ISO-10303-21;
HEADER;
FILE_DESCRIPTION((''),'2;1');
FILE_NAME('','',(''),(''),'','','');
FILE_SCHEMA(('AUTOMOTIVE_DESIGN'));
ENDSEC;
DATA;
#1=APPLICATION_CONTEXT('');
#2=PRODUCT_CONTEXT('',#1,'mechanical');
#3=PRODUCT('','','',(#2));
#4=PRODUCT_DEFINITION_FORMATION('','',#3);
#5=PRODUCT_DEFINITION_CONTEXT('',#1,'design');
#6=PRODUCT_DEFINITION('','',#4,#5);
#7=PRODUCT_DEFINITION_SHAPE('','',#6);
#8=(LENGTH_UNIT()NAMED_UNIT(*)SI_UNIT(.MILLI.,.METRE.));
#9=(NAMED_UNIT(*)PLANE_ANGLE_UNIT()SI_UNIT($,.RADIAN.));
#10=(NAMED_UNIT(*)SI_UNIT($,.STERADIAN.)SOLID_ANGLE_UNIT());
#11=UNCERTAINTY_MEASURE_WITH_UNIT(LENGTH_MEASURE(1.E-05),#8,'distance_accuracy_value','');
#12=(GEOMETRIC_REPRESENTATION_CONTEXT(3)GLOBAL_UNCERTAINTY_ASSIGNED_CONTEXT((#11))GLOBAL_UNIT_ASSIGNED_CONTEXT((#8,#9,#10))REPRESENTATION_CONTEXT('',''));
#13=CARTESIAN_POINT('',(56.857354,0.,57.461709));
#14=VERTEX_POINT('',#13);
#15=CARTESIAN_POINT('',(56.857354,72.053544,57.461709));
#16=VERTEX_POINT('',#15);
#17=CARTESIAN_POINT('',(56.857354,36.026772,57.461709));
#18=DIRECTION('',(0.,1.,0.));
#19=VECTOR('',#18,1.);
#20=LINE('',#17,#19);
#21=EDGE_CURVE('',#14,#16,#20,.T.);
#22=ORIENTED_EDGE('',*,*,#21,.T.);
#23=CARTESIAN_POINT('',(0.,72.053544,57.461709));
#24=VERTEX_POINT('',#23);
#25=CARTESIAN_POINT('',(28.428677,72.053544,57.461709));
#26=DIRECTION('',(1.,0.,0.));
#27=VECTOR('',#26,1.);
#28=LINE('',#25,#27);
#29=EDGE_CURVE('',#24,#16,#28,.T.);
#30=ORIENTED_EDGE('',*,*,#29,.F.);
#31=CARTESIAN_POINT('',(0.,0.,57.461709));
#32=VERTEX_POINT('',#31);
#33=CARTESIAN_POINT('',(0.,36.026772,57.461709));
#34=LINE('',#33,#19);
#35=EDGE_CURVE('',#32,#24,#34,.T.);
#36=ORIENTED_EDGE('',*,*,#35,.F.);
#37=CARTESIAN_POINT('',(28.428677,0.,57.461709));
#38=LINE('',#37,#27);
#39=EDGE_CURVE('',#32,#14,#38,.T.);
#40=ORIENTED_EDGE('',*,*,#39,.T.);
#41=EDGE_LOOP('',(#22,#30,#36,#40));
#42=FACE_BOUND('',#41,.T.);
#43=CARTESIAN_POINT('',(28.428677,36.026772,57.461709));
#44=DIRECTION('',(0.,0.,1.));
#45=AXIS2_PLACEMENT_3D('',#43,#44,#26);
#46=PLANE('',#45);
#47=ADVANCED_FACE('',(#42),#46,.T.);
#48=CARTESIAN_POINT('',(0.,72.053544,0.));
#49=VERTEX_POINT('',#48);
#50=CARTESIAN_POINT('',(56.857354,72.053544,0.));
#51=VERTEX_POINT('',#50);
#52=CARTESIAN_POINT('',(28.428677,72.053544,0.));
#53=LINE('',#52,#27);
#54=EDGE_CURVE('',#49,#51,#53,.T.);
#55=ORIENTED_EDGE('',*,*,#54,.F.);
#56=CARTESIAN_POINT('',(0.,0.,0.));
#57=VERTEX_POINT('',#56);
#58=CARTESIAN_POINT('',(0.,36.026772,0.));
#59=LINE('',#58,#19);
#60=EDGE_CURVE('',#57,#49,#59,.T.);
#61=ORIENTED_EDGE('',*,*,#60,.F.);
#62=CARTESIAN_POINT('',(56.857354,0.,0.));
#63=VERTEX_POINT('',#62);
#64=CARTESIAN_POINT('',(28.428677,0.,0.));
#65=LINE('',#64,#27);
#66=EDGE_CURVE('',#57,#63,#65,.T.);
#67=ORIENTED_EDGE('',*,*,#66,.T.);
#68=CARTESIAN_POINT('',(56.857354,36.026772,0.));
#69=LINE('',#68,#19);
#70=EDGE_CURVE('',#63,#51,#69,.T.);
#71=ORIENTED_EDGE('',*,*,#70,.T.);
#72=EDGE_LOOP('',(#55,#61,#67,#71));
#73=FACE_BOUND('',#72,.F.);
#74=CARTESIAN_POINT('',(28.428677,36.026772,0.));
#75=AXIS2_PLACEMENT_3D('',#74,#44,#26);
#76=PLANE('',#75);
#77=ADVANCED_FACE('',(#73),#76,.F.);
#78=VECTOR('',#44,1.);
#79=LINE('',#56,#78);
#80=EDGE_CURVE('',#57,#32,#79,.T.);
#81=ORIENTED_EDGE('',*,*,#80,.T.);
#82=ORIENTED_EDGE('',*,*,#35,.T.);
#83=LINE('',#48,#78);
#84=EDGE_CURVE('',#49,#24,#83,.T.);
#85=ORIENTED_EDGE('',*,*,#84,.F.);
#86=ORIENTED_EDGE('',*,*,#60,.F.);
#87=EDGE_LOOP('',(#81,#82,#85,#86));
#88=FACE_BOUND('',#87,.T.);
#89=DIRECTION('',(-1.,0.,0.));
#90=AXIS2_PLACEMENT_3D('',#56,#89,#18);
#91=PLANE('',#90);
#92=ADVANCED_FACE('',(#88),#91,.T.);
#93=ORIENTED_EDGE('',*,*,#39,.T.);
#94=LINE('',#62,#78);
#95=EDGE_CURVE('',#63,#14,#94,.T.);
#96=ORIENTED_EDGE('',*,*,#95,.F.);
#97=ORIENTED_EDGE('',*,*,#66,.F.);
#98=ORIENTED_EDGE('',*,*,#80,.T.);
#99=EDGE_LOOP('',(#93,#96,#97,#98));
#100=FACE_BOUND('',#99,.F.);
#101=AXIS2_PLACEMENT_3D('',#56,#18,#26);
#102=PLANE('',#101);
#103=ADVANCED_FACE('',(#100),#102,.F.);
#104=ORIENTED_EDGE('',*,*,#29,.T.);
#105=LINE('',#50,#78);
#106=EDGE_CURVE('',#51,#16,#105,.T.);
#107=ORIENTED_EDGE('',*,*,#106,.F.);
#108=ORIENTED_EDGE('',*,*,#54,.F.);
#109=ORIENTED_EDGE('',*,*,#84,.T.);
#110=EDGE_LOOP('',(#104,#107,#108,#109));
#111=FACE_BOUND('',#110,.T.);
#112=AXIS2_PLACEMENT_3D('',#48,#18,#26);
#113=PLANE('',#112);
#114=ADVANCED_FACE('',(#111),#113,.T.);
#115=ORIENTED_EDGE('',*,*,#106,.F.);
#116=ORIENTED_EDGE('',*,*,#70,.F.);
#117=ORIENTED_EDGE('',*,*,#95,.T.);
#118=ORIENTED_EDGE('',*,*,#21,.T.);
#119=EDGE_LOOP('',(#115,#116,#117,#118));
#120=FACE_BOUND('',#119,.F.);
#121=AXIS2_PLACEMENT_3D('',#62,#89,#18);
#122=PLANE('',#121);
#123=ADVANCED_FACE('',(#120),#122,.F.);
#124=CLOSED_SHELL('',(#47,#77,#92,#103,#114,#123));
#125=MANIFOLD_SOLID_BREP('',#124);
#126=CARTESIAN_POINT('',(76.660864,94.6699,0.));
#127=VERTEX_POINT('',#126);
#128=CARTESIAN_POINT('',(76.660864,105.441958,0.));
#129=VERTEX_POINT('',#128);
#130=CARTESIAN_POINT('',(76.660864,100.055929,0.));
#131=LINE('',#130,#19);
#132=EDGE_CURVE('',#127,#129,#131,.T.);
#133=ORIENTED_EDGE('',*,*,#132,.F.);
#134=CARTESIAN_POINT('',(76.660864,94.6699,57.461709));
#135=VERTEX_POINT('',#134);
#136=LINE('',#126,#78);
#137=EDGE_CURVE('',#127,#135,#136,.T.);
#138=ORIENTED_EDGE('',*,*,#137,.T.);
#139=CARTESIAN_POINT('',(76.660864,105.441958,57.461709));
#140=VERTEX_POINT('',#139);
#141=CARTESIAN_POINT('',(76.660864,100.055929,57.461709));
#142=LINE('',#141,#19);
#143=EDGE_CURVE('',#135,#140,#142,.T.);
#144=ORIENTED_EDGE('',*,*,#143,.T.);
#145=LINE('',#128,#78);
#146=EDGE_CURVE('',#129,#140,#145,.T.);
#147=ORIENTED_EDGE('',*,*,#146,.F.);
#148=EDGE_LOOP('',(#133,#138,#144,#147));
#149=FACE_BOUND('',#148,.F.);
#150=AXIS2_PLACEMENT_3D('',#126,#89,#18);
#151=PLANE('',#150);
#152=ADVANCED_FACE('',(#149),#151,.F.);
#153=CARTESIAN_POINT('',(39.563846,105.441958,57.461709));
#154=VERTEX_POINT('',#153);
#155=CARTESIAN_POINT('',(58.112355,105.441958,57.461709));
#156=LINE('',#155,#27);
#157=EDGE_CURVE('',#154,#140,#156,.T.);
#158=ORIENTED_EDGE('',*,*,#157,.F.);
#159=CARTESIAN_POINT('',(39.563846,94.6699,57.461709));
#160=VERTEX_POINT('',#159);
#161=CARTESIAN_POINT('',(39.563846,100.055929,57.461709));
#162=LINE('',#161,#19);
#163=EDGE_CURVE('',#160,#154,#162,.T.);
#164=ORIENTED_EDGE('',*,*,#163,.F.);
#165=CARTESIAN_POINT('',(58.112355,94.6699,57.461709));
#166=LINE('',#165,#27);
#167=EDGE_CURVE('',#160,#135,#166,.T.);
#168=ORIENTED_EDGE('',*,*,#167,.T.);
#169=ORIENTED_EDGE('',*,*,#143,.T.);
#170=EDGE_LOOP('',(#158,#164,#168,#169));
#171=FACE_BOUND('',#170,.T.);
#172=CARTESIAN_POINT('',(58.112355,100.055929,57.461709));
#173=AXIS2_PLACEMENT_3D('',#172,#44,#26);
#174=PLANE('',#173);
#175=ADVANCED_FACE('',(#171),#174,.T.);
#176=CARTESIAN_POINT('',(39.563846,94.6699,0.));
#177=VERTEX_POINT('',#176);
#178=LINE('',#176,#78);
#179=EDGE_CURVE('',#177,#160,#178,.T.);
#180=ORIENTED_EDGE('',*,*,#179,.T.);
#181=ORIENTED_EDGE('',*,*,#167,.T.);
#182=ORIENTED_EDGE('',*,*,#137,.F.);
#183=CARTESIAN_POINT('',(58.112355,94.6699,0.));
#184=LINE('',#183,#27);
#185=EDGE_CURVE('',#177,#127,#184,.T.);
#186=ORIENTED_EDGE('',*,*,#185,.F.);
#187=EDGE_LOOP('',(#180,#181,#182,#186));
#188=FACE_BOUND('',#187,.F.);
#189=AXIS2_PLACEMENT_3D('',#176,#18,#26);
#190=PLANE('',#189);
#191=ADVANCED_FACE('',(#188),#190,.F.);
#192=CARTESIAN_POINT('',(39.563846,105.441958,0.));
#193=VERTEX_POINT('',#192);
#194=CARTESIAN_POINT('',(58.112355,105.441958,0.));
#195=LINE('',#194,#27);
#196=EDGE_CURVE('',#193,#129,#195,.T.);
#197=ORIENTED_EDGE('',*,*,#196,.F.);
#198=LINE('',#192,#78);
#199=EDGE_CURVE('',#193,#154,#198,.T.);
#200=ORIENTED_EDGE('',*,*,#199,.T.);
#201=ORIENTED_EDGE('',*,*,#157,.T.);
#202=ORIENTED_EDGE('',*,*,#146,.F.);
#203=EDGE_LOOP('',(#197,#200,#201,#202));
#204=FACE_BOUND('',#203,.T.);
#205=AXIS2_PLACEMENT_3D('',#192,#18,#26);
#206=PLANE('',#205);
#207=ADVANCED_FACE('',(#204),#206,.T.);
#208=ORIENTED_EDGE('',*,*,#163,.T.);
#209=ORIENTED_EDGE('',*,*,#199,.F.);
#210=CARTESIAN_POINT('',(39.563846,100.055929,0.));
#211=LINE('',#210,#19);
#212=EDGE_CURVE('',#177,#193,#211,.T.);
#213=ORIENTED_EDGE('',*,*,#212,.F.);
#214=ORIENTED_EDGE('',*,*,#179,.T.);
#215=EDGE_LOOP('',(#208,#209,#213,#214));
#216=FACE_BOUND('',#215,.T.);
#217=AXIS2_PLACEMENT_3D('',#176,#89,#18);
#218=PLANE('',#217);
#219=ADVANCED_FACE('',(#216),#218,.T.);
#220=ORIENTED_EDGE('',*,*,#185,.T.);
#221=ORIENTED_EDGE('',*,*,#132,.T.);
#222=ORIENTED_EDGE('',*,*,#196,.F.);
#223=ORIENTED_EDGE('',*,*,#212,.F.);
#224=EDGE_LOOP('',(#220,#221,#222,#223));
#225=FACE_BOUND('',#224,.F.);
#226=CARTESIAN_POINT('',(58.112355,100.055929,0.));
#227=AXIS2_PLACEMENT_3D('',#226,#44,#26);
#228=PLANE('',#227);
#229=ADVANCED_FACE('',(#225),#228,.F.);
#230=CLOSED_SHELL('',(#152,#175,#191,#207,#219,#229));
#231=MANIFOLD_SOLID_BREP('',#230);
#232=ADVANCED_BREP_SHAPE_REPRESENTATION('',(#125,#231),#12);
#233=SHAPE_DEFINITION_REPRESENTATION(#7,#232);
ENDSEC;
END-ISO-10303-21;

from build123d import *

# Parameters (mm, degrees)
F0_W     = 56.857355
F0_H     = 72.053544
F0_W_2   = 37.097018
F0_H_2   = 10.772057
F1_DEPTH = 57.461709


with BuildPart() as f1:
    # F0 (on Top) → F1 (new body)
    with BuildSketch(Plane.XY):
        with Locations((28.428677, 36.026772)):
            Rectangle(F0_W, F0_H)
        with Locations((58.112355, 100.055929)):
            Rectangle(F0_W_2, F0_H_2)
    extrude(amount=F1_DEPTH)


solid = f1.part
